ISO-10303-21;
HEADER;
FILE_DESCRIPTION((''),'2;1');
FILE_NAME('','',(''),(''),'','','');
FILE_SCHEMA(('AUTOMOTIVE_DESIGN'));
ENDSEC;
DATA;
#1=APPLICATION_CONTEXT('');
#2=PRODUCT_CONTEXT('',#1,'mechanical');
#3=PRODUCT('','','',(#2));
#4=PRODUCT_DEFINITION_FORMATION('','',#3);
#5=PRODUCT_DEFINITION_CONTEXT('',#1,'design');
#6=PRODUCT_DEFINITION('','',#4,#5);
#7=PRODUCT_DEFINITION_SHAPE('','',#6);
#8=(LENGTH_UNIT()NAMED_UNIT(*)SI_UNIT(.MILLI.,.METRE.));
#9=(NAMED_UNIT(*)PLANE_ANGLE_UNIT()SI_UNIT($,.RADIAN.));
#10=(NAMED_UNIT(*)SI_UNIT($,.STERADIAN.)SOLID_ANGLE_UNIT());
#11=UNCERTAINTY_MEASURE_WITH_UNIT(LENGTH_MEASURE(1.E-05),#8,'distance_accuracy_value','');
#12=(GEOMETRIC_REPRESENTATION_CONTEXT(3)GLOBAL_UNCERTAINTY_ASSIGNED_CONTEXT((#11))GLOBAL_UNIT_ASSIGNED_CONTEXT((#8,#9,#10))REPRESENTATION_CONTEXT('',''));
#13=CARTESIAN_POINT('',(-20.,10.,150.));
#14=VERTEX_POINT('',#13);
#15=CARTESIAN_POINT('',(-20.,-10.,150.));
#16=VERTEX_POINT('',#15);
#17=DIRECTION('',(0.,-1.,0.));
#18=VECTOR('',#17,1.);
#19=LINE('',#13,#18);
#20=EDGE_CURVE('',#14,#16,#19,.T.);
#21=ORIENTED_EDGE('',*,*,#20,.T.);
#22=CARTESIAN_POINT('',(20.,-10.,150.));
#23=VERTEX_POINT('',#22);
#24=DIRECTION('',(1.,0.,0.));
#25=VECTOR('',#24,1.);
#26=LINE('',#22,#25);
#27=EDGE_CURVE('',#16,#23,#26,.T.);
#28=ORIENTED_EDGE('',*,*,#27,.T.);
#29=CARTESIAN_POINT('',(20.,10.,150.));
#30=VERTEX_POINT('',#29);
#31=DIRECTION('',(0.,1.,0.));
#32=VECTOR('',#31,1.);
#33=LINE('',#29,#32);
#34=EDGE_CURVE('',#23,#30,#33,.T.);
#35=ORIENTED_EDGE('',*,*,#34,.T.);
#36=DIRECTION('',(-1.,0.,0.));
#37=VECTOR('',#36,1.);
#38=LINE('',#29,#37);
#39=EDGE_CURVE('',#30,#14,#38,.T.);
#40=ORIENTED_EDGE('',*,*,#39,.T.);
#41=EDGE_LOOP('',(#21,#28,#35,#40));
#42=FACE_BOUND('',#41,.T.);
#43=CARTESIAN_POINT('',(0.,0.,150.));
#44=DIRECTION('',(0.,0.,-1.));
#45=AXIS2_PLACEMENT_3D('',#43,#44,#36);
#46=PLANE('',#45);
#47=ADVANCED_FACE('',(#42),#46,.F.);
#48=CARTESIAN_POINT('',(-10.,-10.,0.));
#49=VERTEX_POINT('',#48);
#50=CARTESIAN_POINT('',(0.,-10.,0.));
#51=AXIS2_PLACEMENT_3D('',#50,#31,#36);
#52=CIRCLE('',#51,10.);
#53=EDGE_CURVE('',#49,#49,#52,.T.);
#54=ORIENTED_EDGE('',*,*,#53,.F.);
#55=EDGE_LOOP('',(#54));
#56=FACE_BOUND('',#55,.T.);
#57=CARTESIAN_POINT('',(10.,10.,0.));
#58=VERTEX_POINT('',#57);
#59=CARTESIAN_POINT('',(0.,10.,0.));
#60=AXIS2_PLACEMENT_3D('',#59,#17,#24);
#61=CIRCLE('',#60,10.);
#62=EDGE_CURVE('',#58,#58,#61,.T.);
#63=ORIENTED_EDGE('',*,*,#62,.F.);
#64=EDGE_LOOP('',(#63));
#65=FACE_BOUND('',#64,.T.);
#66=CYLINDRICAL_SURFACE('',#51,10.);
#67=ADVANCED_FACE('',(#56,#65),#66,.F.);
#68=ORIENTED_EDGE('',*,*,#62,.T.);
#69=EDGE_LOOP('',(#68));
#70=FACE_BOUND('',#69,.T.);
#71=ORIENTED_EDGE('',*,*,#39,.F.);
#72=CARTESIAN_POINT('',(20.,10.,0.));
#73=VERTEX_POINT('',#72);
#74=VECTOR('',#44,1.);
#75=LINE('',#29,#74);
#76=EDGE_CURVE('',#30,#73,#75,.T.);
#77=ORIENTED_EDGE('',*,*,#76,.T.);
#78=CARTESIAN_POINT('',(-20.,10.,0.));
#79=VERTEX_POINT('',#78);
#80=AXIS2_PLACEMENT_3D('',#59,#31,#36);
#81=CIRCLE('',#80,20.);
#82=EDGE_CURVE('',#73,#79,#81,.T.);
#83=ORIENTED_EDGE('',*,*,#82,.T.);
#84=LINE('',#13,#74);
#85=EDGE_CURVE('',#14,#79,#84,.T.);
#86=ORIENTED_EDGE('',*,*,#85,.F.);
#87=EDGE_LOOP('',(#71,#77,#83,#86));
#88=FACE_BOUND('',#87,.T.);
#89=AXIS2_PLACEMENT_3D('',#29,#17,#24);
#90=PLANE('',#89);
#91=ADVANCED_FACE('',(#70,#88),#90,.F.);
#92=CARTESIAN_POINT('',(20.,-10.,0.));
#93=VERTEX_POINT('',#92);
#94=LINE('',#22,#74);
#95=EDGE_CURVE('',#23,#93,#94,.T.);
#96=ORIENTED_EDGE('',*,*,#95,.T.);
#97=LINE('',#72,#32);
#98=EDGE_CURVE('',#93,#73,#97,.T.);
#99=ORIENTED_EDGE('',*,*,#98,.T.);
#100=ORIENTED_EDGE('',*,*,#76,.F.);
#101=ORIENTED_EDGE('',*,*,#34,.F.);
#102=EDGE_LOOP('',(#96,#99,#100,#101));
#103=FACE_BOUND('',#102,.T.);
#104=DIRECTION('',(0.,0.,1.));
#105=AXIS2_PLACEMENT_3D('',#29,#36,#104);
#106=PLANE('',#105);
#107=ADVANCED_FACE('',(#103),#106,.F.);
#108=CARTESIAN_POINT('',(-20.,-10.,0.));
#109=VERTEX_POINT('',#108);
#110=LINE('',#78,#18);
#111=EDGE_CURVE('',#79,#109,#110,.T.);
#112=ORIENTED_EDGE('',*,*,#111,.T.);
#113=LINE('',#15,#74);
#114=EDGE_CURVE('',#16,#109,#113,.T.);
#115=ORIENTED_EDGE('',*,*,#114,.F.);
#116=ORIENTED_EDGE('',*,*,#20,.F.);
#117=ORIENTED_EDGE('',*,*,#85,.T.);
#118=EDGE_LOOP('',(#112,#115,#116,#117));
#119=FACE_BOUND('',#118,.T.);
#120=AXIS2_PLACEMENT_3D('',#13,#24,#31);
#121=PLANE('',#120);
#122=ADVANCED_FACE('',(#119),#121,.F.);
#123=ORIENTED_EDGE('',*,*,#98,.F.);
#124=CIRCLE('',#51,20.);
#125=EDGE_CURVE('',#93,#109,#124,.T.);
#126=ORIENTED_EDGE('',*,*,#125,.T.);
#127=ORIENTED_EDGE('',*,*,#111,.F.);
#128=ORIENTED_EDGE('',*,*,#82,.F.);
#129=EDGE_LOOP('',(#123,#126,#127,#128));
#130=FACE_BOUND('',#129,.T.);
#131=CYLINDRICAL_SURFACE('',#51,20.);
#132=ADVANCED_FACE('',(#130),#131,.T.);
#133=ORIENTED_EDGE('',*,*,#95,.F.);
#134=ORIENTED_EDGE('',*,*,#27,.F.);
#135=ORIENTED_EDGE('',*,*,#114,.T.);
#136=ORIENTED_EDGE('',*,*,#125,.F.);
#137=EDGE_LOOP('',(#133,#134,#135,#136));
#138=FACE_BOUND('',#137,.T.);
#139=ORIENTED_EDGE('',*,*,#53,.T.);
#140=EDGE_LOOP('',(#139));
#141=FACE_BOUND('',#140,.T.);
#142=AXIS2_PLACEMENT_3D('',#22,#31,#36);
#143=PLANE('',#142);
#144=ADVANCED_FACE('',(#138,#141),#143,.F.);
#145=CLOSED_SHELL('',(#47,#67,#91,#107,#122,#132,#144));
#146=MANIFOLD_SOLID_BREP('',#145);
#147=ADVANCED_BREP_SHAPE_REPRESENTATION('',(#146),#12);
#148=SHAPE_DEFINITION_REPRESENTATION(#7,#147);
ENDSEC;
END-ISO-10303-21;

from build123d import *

# Parameters (mm, degrees)
SKETCH_1_W               = 40
SKETCH_1_H               = 20
EXTRUDE_2_DEPTH          = 150
SKETCH_5_R               = 20
EXTRUDE_3_DEPTH          = 20
CUT_EXTRUDE_1_DEPTH      = 153.643375225
CUT_EXTRUDE_1_DEPTH_BACK = 153.643375225
SKETCH_6_R               = 10


with BuildPart() as part:
    # 스케치1 → 보스-돌출2 (new body)
    with BuildSketch(Plane.XY):
        Rectangle(SKETCH_1_W, SKETCH_1_H)
    extrude(amount=EXTRUDE_2_DEPTH)

    # 스케치5 → 보스-돌출3 (add)
    with BuildSketch(Plane(origin=(0, 10, 0), x_dir=(1, 0, 0), z_dir=(0, 1, 0))):
        Circle(SKETCH_5_R)
    extrude(amount=-EXTRUDE_3_DEPTH)

    # 스케치6 → 컷-돌출1 (cut, two sides: drawn at the far end of the back side and taken through both)
    with BuildSketch(Plane(origin=(0, 10, 0), x_dir=(1, 0, 0), z_dir=(0, 1, 0)).offset(-CUT_EXTRUDE_1_DEPTH_BACK)):
        with Locations(Location((0, 0, 0), (0, 0, 180))):
            Circle(SKETCH_6_R)
    extrude(amount=CUT_EXTRUDE_1_DEPTH + CUT_EXTRUDE_1_DEPTH_BACK, mode=Mode.SUBTRACT)


solid = part.part
